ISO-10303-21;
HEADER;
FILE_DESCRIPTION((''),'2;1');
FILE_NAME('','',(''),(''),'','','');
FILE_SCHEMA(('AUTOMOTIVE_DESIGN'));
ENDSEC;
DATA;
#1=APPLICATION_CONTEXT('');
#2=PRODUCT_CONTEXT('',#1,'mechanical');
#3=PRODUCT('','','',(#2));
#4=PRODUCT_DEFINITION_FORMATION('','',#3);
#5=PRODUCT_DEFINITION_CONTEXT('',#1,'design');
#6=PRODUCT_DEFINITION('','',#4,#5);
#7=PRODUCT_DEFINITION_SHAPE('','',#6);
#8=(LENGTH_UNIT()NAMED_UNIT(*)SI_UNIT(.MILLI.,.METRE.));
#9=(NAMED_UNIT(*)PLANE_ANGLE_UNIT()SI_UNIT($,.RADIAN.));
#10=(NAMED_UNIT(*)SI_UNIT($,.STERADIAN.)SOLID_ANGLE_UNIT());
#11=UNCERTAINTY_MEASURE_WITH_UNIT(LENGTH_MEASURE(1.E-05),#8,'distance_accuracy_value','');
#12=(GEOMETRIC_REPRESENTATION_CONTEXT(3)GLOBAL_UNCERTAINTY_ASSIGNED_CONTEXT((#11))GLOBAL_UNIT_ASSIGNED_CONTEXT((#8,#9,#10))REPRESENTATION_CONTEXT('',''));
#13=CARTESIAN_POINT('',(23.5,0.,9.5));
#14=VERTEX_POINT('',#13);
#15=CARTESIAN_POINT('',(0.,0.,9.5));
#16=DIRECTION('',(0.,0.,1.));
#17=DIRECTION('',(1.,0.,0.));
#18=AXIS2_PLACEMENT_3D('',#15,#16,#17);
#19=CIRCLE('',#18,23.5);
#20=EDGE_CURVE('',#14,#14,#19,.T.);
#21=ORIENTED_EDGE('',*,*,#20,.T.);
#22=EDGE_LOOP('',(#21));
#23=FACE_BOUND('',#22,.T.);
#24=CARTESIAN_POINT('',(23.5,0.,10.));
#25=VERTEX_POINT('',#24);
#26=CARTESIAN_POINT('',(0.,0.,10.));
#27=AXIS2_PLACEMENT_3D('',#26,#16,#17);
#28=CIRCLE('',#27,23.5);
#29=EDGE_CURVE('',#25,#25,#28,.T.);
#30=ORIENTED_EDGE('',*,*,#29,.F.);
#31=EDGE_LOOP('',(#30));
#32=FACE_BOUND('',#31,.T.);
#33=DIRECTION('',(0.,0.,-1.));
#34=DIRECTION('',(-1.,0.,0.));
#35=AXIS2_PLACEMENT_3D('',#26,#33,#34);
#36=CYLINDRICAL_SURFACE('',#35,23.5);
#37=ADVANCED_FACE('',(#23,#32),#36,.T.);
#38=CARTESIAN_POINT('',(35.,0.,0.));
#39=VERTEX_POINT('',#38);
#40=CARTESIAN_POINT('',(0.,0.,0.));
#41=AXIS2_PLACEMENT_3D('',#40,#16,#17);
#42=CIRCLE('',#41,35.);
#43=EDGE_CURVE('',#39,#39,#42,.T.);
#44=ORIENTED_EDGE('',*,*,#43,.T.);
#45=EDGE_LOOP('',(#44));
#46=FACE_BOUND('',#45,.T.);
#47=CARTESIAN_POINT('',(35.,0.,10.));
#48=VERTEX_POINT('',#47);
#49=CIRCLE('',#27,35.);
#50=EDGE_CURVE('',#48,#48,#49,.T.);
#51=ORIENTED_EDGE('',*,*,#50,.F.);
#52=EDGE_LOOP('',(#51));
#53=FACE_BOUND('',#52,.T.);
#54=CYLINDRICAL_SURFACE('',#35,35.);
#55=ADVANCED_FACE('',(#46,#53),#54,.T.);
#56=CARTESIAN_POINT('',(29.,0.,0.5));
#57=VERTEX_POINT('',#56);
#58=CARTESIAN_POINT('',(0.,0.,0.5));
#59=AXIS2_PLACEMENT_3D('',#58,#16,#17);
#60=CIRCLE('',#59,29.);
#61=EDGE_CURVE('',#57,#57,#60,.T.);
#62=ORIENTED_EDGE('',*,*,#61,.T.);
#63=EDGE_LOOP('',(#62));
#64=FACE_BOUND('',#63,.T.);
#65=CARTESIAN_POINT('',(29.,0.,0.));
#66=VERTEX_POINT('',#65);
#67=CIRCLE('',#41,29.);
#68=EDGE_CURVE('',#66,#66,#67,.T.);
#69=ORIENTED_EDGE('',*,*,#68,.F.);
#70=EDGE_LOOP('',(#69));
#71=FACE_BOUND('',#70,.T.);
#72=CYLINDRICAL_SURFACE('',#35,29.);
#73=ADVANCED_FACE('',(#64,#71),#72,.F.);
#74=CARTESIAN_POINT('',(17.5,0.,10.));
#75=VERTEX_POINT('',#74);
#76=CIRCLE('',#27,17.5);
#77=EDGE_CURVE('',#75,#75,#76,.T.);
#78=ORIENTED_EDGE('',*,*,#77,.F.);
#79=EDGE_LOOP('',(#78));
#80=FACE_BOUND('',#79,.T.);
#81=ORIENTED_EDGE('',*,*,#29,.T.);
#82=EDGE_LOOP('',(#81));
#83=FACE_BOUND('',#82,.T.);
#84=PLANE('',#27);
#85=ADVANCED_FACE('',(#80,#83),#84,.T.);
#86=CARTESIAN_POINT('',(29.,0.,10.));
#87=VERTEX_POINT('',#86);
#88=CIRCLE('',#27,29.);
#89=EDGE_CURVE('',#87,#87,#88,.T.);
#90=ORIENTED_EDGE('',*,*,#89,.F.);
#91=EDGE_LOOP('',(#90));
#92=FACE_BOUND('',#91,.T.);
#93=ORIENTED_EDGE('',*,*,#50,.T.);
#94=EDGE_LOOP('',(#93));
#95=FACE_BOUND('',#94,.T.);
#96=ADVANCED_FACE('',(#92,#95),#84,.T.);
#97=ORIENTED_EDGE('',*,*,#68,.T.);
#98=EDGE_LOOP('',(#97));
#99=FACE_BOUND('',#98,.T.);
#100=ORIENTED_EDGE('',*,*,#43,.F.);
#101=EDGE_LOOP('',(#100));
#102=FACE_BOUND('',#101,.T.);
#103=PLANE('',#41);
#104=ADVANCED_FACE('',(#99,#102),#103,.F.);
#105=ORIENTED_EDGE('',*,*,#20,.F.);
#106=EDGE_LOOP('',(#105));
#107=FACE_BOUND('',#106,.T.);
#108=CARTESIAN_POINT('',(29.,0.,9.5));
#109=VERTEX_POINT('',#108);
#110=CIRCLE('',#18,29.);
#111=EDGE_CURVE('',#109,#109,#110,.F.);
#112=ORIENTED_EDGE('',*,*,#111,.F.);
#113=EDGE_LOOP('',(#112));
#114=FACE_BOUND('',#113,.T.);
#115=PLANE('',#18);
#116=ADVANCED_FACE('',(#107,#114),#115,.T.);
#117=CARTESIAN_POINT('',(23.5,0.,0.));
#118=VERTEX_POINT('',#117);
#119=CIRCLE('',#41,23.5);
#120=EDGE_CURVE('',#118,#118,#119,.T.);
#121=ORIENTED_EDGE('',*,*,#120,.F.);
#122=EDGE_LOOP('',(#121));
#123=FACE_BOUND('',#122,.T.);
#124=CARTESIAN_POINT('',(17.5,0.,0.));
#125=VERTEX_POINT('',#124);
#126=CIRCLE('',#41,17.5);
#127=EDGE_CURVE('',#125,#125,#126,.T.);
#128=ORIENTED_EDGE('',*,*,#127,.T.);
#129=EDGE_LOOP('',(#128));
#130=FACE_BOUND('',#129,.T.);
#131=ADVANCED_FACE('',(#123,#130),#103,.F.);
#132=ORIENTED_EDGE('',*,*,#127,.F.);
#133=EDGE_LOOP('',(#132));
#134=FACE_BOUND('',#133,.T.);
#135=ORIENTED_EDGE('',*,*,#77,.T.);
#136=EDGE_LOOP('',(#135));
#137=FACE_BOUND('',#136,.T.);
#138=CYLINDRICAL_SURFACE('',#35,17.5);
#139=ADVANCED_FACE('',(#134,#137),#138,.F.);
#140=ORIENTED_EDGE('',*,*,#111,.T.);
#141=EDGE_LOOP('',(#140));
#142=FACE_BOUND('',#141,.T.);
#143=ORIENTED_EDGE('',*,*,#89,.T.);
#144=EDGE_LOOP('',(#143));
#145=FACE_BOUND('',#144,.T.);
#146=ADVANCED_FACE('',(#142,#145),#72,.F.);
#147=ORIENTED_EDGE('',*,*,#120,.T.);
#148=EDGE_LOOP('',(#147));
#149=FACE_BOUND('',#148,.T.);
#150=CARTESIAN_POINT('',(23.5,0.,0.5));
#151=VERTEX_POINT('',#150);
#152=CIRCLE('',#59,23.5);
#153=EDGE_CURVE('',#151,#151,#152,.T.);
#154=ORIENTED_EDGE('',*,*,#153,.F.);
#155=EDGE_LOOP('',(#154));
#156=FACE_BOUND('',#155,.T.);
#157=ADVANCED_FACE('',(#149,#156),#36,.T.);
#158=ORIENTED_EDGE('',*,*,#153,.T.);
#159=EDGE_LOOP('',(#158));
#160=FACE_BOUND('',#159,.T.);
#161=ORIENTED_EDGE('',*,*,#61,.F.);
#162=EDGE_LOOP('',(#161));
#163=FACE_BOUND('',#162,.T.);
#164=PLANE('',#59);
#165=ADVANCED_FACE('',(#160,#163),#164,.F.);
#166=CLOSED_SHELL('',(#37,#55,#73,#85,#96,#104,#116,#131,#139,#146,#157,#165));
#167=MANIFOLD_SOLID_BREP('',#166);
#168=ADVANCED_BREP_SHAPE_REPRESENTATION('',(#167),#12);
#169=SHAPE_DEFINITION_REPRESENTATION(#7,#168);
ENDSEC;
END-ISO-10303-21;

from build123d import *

# Parameters (mm, degrees)
SKETCH1_R             = 35
SKETCH1_R_2           = 29
BOSS_EXTRUDE1_DEPTH   = 10
SKETCH1_R_3           = 23.5
SKETCH1_R_4           = 17.5
BOSS_EXTRUDE1_2_DEPTH = 10
BOSS_EXTRUDE2_START   = 0.5
SKETCH1_3_R           = 29
SKETCH1_3_R_2         = 23.5
BOSS_EXTRUDE2_DEPTH   = 9


with BuildPart() as part:
    # Sketch1 → Boss-Extrude1 (new body)
    with BuildSketch(Plane(origin=(0, 0, 0), x_dir=(0, 1, 0), z_dir=(0, 0, 1))):
        Circle(SKETCH1_R)
        Circle(SKETCH1_R_2, mode=Mode.SUBTRACT)
    extrude(amount=BOSS_EXTRUDE1_DEPTH)



with BuildPart() as body_2:
    # Sketch1 → Boss-Extrude1 2 (new body)
    with BuildSketch(Plane(origin=(0, 0, 0), x_dir=(0, 1, 0), z_dir=(0, 0, 1))):
        Circle(SKETCH1_R_3)
        Circle(SKETCH1_R_4, mode=Mode.SUBTRACT)
    extrude(amount=BOSS_EXTRUDE1_2_DEPTH)


with BuildPart() as part_1:
    add(part.part)

    add(body_2.part)  # Boss-Extrude2 merges body 2
    # Sketch1<3> → Boss-Extrude2 (add)
    with BuildSketch(Plane(origin=(0, 0, 0), x_dir=(0, 1, 0), z_dir=(0, 0, 1)).offset(BOSS_EXTRUDE2_START)):
        Circle(SKETCH1_3_R)
        Circle(SKETCH1_3_R_2, mode=Mode.SUBTRACT)
    extrude(amount=BOSS_EXTRUDE2_DEPTH)


solid = part_1.part
